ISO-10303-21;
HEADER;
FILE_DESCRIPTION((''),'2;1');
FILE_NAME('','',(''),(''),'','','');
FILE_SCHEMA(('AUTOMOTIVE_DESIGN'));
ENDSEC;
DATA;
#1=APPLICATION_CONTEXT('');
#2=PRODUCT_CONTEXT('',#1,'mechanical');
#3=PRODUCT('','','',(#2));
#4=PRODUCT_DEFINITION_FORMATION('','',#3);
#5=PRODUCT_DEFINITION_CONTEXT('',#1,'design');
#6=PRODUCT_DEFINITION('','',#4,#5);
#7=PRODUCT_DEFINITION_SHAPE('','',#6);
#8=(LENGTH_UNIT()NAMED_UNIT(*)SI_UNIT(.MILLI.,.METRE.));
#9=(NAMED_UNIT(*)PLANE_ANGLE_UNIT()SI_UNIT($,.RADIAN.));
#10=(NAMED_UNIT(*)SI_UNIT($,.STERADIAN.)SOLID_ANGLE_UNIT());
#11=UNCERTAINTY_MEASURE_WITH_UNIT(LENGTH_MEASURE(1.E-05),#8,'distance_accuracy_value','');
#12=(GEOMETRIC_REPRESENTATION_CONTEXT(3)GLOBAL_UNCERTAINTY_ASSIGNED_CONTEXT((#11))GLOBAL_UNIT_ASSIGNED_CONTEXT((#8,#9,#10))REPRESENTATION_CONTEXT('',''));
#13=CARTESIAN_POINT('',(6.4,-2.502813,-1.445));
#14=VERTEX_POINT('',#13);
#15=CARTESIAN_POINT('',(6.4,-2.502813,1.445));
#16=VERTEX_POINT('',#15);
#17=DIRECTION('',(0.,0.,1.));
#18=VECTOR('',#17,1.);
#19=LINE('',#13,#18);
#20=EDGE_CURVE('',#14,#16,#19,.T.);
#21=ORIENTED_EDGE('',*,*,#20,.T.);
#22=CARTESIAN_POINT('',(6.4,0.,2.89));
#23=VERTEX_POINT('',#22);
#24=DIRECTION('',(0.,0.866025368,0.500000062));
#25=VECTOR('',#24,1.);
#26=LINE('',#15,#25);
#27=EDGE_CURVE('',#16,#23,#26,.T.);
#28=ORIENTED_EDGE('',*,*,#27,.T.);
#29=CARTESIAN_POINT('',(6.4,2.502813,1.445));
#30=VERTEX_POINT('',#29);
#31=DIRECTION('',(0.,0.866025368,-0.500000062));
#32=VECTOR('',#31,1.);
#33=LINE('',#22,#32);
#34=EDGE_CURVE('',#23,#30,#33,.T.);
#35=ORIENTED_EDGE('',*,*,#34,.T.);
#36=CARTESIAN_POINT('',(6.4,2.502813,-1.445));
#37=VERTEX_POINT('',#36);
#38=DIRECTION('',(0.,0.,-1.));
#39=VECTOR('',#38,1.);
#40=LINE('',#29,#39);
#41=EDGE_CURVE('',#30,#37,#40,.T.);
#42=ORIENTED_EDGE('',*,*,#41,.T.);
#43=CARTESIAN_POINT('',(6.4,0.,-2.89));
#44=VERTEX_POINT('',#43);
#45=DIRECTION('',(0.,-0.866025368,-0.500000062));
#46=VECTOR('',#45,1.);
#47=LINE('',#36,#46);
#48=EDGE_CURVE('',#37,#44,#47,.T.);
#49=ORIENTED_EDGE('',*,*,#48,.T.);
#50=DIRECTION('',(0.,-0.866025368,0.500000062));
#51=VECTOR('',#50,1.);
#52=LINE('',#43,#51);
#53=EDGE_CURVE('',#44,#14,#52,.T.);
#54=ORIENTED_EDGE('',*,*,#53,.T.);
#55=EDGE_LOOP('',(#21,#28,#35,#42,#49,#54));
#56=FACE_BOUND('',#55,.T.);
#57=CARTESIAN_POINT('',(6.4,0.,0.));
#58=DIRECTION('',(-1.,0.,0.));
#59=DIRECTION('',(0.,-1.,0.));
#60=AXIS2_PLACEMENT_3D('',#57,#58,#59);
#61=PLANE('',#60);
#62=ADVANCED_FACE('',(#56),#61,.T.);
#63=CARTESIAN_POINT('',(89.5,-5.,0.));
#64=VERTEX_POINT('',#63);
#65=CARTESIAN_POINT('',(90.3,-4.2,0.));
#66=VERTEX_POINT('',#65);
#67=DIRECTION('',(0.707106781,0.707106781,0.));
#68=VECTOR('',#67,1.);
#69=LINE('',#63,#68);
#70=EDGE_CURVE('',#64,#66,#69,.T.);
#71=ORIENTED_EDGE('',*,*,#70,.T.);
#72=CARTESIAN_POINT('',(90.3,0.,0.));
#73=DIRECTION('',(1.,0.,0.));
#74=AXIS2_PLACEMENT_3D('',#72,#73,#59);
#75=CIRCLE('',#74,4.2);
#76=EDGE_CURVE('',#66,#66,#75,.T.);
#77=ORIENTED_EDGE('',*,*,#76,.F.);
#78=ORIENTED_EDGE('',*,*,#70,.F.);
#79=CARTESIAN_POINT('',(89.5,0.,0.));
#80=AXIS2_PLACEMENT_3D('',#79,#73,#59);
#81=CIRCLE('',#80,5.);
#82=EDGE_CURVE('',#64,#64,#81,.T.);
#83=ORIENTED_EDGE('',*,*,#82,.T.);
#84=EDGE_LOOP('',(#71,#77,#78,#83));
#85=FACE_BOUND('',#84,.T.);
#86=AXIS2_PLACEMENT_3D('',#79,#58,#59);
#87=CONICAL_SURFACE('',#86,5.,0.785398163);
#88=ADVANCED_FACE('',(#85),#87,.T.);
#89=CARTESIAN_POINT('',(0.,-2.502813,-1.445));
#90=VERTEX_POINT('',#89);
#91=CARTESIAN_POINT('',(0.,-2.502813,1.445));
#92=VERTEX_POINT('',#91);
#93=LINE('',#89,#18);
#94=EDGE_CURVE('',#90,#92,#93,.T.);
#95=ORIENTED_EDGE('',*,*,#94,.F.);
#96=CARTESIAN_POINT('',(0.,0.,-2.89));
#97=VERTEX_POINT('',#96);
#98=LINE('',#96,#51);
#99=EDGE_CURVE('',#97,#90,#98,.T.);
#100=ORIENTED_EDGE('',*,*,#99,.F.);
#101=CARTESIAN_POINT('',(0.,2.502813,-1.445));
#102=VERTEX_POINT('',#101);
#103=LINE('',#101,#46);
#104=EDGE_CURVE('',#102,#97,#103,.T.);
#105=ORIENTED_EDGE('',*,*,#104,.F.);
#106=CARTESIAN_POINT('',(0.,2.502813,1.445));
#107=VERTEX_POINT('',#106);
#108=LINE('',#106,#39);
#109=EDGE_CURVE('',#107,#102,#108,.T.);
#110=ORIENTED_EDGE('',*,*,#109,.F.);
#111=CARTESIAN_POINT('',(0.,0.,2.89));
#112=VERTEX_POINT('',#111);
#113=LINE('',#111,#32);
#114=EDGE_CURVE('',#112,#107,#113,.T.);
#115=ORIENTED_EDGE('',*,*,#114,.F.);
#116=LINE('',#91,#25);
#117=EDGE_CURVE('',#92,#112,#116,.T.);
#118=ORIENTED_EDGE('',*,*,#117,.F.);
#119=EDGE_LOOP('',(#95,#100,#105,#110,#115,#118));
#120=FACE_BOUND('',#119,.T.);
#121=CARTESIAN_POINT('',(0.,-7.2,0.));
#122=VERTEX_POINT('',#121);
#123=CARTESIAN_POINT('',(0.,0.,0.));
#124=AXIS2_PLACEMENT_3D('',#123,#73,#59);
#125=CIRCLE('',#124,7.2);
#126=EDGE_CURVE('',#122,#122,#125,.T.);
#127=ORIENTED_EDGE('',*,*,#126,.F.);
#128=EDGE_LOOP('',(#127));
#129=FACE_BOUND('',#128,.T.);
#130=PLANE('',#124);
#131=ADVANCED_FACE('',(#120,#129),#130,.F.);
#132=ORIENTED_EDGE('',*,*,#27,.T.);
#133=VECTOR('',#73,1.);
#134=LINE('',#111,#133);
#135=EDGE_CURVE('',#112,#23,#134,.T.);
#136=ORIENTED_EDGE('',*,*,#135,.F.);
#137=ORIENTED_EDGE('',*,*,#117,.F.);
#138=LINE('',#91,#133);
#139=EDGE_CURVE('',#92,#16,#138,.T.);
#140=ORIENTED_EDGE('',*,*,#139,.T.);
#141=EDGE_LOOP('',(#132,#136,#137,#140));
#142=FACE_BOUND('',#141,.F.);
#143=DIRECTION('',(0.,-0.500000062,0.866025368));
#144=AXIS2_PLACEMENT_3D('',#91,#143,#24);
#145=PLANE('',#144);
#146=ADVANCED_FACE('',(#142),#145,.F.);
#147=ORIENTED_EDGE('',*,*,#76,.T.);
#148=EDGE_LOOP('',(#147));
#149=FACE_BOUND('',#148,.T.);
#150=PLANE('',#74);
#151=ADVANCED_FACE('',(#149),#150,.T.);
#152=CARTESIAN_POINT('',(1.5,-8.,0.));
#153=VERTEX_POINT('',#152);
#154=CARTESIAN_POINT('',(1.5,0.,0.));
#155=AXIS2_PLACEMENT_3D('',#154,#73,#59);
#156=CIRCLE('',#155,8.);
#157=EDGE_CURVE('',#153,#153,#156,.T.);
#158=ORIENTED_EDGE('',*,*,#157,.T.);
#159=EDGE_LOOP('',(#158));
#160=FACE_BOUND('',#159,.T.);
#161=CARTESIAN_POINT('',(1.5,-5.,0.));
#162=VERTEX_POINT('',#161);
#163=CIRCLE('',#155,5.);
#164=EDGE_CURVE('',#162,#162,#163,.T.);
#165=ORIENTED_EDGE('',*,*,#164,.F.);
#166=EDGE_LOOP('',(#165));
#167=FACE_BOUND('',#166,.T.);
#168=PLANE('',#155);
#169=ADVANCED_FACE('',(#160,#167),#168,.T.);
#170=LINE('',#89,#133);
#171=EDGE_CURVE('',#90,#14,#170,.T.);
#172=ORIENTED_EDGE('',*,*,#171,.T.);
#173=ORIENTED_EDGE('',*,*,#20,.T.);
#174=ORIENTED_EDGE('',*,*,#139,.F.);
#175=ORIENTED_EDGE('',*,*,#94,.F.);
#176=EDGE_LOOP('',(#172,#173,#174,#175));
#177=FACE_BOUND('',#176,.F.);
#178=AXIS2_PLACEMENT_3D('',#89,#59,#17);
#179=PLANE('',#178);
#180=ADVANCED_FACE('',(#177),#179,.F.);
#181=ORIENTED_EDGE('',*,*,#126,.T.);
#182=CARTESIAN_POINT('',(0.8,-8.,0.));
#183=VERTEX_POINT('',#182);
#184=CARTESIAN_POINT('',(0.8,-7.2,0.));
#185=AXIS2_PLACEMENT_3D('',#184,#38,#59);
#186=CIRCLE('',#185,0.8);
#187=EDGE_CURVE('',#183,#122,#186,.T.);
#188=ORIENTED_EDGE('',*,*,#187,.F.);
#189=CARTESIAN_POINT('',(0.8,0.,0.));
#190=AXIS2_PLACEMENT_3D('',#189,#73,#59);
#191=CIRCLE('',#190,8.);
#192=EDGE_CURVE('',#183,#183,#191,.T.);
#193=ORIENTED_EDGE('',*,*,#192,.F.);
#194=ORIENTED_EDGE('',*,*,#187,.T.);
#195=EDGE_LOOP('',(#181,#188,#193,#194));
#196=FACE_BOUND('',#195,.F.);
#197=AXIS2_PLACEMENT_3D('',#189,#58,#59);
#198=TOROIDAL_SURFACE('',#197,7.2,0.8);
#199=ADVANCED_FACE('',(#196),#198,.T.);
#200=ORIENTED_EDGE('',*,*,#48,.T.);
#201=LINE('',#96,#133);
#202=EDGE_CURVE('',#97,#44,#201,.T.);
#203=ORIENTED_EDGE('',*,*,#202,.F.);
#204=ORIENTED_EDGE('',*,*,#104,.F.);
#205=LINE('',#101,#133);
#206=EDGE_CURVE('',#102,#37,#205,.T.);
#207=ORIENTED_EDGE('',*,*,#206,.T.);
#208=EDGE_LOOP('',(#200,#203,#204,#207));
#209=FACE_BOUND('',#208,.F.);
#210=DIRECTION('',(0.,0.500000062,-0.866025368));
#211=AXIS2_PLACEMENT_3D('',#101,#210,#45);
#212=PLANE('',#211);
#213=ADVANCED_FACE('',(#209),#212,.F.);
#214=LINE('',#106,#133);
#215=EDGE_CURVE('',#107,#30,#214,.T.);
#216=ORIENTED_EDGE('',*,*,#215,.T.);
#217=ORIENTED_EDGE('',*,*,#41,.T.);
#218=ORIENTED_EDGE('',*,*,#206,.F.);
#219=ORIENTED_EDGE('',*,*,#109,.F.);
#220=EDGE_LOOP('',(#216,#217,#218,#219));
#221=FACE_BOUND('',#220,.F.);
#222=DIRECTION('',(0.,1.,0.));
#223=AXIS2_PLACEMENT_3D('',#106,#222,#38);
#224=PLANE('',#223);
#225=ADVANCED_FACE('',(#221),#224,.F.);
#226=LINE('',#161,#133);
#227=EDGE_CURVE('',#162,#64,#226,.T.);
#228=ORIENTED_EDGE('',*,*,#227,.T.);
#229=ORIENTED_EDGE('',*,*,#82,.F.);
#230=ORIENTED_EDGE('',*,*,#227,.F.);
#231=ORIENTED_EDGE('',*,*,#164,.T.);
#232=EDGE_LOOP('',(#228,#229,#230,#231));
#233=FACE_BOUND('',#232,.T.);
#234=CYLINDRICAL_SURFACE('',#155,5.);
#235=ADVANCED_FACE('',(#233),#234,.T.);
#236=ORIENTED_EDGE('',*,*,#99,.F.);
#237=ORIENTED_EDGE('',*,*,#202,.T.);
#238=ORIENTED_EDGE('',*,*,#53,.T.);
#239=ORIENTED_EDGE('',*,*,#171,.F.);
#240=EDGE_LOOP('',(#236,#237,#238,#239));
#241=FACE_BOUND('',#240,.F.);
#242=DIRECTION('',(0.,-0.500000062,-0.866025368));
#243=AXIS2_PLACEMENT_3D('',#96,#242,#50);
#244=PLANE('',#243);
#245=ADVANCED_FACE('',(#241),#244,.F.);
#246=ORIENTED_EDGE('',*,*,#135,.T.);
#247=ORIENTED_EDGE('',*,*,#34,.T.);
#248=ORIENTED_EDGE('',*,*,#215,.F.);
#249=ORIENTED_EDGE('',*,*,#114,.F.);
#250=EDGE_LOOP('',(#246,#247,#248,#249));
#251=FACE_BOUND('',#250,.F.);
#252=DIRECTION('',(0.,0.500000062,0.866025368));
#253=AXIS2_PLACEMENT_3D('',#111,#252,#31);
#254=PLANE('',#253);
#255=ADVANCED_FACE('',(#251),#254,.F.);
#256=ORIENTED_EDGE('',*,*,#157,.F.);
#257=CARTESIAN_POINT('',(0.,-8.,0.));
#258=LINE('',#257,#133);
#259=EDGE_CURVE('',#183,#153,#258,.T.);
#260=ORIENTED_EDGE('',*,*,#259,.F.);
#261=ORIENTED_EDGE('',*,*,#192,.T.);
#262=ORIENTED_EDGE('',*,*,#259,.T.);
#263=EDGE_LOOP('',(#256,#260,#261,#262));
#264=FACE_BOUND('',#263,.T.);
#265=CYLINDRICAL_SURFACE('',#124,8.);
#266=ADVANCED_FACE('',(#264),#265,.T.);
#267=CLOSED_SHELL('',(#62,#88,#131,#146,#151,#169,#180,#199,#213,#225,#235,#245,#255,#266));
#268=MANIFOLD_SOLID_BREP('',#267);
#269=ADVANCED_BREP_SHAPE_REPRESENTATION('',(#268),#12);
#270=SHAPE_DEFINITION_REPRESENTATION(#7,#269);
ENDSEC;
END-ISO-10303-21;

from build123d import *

# Parameters (mm, degrees)
F2_SIZE2 = 0.8
F2_SIZE  = 0.8
F3_R     = 0.8
F5_DEPTH = 6.4


with BuildPart() as f1:
    # F0 (on Top) → F1 (revolve)
    with BuildSketch(Plane.XY):
        Polygon((90.3, 0), (0, 0), (0, -8), (1.5, -8), (1.5, -5), (90.3, -5), align=None)
    revolve(axis=Axis((45.15, 0, 0), (1, 0, 0)))

    # F2
    f2_edges = [f1.edges().sort_by_distance(p)[0] for p in [
        (90.3, 5, 0),
    ]]
    chamfer(f2_edges, length=F2_SIZE, length2=F2_SIZE2)

    # F3
    f3_edges = [f1.edges().sort_by_distance(p)[0] for p in [
        (0, 8, 0),
    ]]
    fillet(f3_edges, radius=F3_R)

    # F4 (on face) → F5 (cut)
    with BuildSketch(Plane(origin=(0, 0, 0), x_dir=(0, -1, 0), z_dir=(-1, 0, 0))):
        Polygon((2.502813, -1.445), (2.502813, 1.445), (0, 2.89), (-2.502813, 1.445), (-2.502813, -1.445), (0, -2.89), align=None)
    extrude(amount=-F5_DEPTH, mode=Mode.SUBTRACT)


solid = f1.part
